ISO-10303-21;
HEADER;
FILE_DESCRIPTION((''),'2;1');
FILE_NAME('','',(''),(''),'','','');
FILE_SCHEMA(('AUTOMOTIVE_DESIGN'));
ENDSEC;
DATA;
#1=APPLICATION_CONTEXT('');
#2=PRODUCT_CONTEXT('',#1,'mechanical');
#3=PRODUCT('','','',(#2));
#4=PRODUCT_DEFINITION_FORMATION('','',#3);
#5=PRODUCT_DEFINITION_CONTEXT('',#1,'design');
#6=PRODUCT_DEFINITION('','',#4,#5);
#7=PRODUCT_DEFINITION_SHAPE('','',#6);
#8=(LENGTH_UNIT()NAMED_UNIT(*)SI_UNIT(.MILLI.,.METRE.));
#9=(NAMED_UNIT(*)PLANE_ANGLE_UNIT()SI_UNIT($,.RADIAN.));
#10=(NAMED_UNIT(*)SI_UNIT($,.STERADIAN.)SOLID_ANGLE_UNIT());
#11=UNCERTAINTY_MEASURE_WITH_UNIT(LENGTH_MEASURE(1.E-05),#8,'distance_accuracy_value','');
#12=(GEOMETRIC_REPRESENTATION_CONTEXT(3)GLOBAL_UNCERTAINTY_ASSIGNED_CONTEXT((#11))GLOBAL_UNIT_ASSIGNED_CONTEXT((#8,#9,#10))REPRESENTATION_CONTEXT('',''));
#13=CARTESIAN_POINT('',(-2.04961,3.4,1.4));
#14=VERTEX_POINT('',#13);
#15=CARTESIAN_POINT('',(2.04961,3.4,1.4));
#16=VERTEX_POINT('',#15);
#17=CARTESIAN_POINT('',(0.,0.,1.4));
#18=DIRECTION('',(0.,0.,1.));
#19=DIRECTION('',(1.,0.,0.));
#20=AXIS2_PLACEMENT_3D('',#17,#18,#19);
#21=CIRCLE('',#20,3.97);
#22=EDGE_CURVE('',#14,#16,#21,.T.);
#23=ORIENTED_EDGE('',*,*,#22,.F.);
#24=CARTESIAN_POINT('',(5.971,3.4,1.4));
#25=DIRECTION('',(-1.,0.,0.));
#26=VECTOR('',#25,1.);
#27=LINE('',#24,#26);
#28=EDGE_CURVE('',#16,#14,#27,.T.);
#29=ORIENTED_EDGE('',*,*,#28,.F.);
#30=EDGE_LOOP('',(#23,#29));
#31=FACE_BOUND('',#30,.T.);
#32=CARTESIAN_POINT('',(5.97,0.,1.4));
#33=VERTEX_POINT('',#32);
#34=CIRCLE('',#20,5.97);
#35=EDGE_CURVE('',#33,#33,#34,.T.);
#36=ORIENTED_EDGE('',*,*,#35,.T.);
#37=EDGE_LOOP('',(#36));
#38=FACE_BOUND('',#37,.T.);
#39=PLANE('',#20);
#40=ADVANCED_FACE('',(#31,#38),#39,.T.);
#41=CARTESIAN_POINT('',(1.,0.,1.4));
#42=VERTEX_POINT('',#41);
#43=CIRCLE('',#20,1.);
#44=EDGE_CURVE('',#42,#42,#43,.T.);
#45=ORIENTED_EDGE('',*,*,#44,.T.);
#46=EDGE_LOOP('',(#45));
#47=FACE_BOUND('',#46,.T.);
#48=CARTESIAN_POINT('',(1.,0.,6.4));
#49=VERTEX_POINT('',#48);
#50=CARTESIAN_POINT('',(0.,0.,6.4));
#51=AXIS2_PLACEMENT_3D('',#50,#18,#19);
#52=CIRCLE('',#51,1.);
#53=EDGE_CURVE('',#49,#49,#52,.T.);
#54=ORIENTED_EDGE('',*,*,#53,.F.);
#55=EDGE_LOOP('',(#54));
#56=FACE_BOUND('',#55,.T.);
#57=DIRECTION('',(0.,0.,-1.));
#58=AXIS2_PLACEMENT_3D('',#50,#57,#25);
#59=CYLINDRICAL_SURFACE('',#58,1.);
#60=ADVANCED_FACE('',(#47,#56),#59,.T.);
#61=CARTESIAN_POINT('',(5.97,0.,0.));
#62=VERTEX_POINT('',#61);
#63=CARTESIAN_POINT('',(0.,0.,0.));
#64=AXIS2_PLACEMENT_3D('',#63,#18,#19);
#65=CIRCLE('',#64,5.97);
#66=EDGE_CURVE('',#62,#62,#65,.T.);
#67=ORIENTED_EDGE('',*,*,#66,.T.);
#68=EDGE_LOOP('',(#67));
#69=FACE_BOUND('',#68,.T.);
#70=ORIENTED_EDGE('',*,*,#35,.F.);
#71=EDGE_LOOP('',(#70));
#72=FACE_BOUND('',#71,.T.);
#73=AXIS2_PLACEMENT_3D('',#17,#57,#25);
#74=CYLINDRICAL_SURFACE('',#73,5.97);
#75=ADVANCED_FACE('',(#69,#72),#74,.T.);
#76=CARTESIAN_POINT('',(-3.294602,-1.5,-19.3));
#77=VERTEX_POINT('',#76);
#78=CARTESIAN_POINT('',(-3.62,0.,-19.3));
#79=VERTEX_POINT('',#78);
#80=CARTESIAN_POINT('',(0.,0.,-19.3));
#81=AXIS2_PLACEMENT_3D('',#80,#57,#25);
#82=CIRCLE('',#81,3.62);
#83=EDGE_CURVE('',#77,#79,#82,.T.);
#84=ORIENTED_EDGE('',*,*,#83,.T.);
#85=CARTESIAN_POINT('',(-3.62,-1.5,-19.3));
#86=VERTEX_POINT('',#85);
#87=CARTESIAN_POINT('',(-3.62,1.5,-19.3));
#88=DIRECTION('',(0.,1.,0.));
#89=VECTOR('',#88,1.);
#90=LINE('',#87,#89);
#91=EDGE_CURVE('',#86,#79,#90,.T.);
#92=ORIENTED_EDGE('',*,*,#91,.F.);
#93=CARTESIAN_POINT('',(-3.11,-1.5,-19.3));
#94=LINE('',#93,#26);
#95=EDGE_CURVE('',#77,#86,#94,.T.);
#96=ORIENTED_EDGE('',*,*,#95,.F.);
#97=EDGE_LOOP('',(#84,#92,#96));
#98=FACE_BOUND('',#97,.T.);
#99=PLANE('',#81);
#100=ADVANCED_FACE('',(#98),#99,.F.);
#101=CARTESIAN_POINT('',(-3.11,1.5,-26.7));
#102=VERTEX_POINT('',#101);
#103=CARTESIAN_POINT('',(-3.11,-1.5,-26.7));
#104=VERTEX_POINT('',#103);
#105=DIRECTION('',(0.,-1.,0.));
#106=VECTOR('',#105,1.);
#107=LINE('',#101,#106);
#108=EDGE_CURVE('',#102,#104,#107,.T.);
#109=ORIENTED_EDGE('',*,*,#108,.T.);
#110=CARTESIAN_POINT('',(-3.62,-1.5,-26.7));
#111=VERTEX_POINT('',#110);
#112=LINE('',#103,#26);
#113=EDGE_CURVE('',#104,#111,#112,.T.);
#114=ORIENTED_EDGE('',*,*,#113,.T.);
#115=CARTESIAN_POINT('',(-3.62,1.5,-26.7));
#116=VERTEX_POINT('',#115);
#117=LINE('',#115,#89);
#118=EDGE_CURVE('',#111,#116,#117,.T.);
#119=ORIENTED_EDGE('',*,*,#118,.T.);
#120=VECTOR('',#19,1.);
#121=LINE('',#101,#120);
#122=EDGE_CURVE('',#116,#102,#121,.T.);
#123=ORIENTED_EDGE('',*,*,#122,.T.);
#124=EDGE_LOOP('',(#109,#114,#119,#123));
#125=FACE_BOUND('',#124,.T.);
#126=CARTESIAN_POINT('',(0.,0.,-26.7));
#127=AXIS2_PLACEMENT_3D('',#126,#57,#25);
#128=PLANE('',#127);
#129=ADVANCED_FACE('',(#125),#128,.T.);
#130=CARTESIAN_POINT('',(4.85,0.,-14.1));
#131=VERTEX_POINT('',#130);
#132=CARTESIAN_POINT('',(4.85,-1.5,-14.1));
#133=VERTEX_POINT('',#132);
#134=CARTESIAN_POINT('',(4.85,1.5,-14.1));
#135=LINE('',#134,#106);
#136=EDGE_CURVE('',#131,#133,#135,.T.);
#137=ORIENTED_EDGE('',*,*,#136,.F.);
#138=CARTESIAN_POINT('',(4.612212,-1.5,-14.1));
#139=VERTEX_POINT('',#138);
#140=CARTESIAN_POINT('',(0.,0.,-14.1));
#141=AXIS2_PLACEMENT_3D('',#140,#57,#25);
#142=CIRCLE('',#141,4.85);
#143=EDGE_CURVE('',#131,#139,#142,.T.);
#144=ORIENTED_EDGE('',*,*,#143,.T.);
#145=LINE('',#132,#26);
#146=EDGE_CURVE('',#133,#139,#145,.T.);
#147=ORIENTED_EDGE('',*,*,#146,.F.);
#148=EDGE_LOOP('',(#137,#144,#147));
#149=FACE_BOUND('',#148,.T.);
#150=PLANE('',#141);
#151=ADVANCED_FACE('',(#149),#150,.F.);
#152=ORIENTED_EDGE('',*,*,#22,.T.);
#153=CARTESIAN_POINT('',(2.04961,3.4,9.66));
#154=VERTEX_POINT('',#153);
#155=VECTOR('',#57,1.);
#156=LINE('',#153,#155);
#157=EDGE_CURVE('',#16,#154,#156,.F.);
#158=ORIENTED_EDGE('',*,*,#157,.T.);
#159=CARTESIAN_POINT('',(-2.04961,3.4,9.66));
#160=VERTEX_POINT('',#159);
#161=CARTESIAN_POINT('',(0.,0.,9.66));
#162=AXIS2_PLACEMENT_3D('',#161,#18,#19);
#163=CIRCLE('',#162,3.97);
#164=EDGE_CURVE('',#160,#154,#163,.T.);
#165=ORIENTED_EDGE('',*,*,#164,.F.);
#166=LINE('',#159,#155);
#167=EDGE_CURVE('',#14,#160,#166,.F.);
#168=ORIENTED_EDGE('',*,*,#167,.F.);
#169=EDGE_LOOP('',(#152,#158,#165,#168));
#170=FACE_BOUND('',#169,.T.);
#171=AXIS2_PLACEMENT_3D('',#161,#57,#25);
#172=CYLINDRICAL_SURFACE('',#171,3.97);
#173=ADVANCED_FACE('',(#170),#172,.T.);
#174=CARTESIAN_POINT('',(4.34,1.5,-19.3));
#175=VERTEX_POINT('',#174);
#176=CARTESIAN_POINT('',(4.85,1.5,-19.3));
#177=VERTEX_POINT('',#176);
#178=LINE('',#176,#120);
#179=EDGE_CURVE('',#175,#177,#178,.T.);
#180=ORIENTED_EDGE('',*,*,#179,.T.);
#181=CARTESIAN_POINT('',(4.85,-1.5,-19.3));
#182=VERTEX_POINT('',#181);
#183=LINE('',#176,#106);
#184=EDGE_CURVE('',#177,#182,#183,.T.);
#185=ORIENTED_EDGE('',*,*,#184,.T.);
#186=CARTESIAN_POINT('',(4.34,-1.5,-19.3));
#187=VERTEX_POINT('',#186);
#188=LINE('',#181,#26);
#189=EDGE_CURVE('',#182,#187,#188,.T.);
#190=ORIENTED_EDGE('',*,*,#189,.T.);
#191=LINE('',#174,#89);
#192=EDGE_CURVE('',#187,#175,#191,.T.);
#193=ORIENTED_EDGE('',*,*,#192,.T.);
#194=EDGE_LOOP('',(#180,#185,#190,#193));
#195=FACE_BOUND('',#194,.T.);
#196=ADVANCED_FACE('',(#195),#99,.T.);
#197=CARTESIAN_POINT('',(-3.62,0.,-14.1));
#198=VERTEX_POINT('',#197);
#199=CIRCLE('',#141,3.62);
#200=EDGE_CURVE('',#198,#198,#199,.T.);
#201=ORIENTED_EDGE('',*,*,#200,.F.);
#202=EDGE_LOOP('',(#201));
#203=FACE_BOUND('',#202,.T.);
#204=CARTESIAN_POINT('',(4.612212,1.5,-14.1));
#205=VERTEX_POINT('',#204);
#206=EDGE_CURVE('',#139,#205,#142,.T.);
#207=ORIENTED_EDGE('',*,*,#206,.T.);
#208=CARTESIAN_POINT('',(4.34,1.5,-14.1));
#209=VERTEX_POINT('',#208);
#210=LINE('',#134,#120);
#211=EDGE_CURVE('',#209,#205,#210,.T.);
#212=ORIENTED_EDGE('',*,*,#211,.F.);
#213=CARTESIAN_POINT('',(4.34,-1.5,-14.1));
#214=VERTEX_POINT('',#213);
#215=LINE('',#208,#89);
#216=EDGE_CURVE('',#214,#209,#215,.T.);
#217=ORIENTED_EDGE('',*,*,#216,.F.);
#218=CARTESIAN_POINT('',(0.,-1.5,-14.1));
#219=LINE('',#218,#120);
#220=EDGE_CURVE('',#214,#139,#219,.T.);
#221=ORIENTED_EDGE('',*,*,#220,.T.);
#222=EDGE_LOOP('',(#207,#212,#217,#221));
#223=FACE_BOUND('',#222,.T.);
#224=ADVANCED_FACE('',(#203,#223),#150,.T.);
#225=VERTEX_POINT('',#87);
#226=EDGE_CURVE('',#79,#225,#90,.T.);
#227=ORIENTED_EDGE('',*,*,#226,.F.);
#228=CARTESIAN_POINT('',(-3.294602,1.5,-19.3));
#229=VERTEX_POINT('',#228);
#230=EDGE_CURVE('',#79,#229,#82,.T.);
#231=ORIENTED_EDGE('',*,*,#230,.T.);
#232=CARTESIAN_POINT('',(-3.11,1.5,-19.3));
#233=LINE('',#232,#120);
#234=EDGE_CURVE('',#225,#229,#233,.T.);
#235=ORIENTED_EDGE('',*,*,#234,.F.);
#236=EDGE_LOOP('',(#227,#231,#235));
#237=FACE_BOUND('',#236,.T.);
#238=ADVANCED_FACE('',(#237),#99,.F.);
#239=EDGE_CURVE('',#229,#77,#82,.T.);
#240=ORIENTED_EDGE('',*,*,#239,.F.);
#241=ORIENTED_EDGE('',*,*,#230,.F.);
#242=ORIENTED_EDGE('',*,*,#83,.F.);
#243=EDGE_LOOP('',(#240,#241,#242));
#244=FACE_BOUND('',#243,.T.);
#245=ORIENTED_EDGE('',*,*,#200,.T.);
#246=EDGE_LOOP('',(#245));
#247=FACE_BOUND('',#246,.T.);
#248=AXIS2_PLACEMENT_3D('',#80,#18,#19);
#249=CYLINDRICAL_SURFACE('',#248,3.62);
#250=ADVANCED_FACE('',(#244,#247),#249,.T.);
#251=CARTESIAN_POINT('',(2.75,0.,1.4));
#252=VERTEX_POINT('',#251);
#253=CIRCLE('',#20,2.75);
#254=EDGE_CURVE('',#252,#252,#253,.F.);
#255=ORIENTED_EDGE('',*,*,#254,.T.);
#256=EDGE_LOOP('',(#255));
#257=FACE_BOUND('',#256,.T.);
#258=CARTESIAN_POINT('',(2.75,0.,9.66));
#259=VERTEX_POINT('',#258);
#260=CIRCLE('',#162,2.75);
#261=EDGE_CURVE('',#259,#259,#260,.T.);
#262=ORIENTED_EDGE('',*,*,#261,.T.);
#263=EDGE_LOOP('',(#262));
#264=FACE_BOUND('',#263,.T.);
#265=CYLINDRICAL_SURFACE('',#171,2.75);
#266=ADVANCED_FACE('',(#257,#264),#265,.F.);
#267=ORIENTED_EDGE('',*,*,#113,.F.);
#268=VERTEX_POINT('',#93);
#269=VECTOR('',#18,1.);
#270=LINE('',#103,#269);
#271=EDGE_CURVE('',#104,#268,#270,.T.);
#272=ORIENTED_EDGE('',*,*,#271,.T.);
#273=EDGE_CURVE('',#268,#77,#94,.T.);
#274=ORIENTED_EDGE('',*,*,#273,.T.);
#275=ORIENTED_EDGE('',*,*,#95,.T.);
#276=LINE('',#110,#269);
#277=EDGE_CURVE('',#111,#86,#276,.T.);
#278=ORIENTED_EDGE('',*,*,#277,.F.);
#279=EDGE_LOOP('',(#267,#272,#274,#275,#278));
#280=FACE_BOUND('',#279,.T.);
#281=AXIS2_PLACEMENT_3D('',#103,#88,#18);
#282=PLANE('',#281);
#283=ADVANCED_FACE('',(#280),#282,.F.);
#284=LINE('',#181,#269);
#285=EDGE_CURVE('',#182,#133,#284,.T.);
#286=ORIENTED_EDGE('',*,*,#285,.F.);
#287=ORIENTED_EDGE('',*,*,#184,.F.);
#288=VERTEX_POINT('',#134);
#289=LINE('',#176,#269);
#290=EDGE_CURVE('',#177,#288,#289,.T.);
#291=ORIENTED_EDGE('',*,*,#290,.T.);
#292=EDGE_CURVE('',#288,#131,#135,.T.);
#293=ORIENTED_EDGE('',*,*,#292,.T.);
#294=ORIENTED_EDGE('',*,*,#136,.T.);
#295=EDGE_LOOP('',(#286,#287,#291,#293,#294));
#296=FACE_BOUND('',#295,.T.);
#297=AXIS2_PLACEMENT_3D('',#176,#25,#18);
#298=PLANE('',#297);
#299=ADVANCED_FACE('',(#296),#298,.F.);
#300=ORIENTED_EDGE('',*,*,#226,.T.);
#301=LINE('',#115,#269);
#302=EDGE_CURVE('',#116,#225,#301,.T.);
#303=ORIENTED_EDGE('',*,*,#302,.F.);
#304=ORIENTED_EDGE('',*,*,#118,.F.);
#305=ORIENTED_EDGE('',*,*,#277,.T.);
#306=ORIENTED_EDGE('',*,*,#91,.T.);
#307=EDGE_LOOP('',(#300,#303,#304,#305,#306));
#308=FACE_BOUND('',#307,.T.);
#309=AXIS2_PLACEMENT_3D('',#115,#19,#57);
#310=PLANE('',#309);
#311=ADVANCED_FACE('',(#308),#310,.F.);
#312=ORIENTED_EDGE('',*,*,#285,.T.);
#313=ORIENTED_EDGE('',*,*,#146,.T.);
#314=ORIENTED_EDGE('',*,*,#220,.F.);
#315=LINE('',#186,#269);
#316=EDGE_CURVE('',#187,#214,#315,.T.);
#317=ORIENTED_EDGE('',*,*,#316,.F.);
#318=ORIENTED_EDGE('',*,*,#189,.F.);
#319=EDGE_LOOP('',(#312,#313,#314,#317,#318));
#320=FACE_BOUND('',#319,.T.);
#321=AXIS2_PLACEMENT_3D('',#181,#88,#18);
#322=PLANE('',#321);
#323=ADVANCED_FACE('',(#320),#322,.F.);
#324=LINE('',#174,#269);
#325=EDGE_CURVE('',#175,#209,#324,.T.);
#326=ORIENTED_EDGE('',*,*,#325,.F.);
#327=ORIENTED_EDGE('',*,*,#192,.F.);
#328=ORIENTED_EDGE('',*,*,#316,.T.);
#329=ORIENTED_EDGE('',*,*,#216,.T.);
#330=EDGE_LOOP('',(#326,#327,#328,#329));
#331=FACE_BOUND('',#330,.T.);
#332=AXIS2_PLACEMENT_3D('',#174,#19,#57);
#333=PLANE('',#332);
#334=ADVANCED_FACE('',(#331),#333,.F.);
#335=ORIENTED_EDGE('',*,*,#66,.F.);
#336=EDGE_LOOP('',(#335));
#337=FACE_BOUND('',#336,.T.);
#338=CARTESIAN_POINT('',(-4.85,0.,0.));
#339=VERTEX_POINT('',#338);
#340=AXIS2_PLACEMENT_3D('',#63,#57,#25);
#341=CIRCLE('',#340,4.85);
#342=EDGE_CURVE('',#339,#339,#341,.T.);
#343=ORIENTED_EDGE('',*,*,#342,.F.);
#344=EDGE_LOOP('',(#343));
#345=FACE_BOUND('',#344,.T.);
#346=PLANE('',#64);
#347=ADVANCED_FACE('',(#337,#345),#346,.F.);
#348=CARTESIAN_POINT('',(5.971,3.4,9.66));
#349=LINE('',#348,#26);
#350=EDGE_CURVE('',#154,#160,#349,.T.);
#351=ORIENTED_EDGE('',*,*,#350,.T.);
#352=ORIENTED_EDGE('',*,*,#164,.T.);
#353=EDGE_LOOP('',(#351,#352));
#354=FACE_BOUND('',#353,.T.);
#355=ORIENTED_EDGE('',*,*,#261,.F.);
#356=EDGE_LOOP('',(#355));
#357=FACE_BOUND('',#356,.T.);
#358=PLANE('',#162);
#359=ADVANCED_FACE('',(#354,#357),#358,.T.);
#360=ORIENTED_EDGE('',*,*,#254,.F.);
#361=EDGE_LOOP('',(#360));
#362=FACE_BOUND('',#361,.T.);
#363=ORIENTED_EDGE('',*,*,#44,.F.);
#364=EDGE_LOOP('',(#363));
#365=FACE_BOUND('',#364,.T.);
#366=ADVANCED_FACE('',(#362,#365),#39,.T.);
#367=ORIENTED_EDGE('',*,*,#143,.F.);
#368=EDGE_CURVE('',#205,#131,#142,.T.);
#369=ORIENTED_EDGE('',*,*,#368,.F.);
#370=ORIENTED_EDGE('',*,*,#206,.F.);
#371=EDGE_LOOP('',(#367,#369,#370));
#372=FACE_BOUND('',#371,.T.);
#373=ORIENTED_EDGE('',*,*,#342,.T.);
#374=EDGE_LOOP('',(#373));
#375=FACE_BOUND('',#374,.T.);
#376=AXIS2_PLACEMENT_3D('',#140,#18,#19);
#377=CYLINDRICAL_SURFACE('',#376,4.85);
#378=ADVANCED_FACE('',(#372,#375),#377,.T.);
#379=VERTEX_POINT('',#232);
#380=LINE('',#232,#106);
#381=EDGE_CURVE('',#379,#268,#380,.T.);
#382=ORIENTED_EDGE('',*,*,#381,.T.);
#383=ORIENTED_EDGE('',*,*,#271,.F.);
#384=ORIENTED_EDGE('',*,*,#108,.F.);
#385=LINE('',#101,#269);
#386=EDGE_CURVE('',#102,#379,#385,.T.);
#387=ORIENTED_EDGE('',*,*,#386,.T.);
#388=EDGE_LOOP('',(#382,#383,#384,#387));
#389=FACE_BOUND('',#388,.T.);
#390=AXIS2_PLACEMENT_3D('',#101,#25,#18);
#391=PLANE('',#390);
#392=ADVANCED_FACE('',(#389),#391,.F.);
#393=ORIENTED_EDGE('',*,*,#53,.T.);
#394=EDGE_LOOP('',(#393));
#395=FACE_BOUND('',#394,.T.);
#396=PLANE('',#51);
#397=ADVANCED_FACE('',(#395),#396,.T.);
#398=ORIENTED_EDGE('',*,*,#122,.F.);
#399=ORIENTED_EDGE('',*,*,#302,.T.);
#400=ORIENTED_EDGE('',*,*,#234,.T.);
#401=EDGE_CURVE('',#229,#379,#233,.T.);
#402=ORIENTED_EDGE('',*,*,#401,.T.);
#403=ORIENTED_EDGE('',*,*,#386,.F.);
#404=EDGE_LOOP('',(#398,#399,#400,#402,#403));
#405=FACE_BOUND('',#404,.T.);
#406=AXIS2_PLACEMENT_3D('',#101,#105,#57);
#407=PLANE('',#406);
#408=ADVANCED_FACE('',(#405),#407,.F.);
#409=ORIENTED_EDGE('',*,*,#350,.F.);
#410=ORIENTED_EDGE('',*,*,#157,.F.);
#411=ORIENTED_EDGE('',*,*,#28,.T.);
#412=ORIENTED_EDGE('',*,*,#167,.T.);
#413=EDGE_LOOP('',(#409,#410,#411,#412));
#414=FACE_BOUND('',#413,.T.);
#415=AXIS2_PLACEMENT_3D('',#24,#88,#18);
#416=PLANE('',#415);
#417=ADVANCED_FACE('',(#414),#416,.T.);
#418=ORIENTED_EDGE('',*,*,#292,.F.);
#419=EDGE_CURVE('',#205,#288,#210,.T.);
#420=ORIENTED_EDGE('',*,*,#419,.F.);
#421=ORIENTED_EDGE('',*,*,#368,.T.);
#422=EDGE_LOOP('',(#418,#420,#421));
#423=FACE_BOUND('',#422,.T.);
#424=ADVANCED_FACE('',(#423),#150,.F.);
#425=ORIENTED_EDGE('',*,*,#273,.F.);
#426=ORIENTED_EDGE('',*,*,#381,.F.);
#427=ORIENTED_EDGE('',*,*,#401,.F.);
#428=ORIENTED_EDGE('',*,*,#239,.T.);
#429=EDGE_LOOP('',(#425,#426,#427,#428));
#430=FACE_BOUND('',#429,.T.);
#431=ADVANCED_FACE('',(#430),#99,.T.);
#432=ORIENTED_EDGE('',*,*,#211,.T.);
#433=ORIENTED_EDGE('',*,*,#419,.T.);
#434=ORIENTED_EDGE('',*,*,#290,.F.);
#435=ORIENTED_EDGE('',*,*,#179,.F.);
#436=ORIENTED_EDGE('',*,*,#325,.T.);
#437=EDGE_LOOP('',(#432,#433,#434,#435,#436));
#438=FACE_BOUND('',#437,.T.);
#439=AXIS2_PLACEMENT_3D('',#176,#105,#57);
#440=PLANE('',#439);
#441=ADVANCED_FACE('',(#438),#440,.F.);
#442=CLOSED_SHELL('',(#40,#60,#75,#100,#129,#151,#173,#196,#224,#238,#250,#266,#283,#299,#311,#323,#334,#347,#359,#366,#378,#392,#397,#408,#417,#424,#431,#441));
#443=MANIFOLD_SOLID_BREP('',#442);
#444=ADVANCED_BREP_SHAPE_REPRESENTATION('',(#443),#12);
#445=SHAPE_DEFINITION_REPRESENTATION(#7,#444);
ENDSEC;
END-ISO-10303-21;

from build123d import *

# Parameters (mm, degrees)
ESQUISSE1_R                              = 5.97
BOSS_EXTRU_1_DEPTH                       = 1.4
ESQUISSE2_R                              = 4.85
BOSS_EXTRU_2_DEPTH                       = 14.1
ESQUISSE3_R                              = 3.97
ESQUISSE3_R_2                            = 2.75
BOSS_EXTRU_3_DEPTH                       = 8.26
ESQUISSE4_R                              = 1
BOSS_EXTRU_4_DEPTH                       = 5
ENL_V_MAT_EXTRU_1_REACH                  = 18.434
ENL_V_MAT_EXTRU_1_END_RADIUS             = 3.97
ESQUISSE5_W                              = 8.26
ESQUISSE5_H                              = 0.57
ENL_V_MAT_EXTRU_1_DIRECTION_2_REACH      = 18.434
ENL_V_MAT_EXTRU_1_DIRECTION_2_END_RADIUS = 3.97
ESQUISSE6_R                              = 3.62
ESQUISSE6_W                              = 0.51
ESQUISSE6_H                              = 3
BOSS_EXTRU_5_DEPTH                       = 5.2
ESQUISSE7_W                              = 0.51
ESQUISSE7_H                              = 3
BOSS_EXTRU_6_DEPTH                       = 7.4


with BuildPart() as part:
    # Esquisse1 → Boss.-Extru.1 (new body)
    with BuildSketch(Plane.XY):
        Circle(ESQUISSE1_R)
    extrude(amount=BOSS_EXTRU_1_DEPTH)

    # Esquisse2 → Boss.-Extru.2 (add)
    with BuildSketch(Plane(origin=(0, 0, 0), x_dir=(-1, 0, 0), z_dir=(0, 0, -1))):
        Circle(ESQUISSE2_R)
    extrude(amount=BOSS_EXTRU_2_DEPTH)

    # Esquisse3 → Boss.-Extru.3 (add)
    with BuildSketch(Plane.XY.offset(1.4)):
        Circle(ESQUISSE3_R)
        Circle(ESQUISSE3_R_2, mode=Mode.SUBTRACT)
    extrude(amount=BOSS_EXTRU_3_DEPTH)

    # Esquisse4 → Boss.-Extru.4 (add)
    with BuildSketch(Plane.XY.offset(1.4)):
        Circle(ESQUISSE4_R)
    extrude(amount=BOSS_EXTRU_4_DEPTH)

    # Enlèv. mat.-Extru.1: up to this cylinder (the profile starts inside it)
    enl_v_mat_extru_1_end = Plane(origin=(0, 0, 5.53), z_dir=(0, 0, -1)) * Cylinder(ENL_V_MAT_EXTRU_1_END_RADIUS, 45.808, mode=Mode.PRIVATE)
    # Esquisse5 → Enlèv. mat.-Extru.1 (cut, up to the surface)
    with BuildSketch(Plane(origin=(0, 0, 0), x_dir=(0, 0, -1), z_dir=(1, 0, 0)), mode=Mode.PRIVATE) as enl_v_mat_extru_1_sk1:
        with Locations((-5.53, 3.685)):
            Rectangle(ESQUISSE5_W, ESQUISSE5_H)
    enl_v_mat_extru_1_tool1 = extrude(enl_v_mat_extru_1_sk1.sketch, amount=-ENL_V_MAT_EXTRU_1_REACH, mode=Mode.PRIVATE) & enl_v_mat_extru_1_end
    add(enl_v_mat_extru_1_tool1.solids().sort_by_distance((0, 3.685, 5.53))[0], mode=Mode.SUBTRACT)

    # Enlèv. mat.-Extru.1 direction 2: up to this cylinder (the profile starts inside it)
    enl_v_mat_extru_1_direction_2_end = Plane(origin=(0, 0, 5.53), z_dir=(0, 0, -1)) * Cylinder(ENL_V_MAT_EXTRU_1_DIRECTION_2_END_RADIUS, 45.808, mode=Mode.PRIVATE)
    # Esquisse5 → Enlèv. mat.-Extru.1 direction 2 (cut, up to the surface)
    with BuildSketch(Plane(origin=(0, 0, 0), x_dir=(0, 0, -1), z_dir=(1, 0, 0)), mode=Mode.PRIVATE) as enl_v_mat_extru_1_direction_2_sk1:
        with Locations((-5.53, 3.685)):
            Rectangle(ESQUISSE5_W, ESQUISSE5_H)
    enl_v_mat_extru_1_direction_2_tool1 = extrude(enl_v_mat_extru_1_direction_2_sk1.sketch, amount=ENL_V_MAT_EXTRU_1_DIRECTION_2_REACH, mode=Mode.PRIVATE) & enl_v_mat_extru_1_direction_2_end
    add(enl_v_mat_extru_1_direction_2_tool1.solids().sort_by_distance((0, 3.685, 5.53))[0], mode=Mode.SUBTRACT)

    # Esquisse6 → Boss.-Extru.5 (add)
    with BuildSketch(Plane(origin=(0, 0, -14.1), x_dir=(-1, 0, 0), z_dir=(0, 0, -1))):
        Circle(ESQUISSE6_R)
        with Locations((-4.595, 0)):
            Rectangle(ESQUISSE6_W, ESQUISSE6_H)
    extrude(amount=BOSS_EXTRU_5_DEPTH)

    # Esquisse7 → Boss.-Extru.6 (add)
    with BuildSketch(Plane(origin=(0, 0, -19.3), x_dir=(-1, 0, 0), z_dir=(0, 0, -1))):
        with Locations((3.365, 0)):
            Rectangle(ESQUISSE7_W, ESQUISSE7_H)
    extrude(amount=BOSS_EXTRU_6_DEPTH)


solid = part.part
